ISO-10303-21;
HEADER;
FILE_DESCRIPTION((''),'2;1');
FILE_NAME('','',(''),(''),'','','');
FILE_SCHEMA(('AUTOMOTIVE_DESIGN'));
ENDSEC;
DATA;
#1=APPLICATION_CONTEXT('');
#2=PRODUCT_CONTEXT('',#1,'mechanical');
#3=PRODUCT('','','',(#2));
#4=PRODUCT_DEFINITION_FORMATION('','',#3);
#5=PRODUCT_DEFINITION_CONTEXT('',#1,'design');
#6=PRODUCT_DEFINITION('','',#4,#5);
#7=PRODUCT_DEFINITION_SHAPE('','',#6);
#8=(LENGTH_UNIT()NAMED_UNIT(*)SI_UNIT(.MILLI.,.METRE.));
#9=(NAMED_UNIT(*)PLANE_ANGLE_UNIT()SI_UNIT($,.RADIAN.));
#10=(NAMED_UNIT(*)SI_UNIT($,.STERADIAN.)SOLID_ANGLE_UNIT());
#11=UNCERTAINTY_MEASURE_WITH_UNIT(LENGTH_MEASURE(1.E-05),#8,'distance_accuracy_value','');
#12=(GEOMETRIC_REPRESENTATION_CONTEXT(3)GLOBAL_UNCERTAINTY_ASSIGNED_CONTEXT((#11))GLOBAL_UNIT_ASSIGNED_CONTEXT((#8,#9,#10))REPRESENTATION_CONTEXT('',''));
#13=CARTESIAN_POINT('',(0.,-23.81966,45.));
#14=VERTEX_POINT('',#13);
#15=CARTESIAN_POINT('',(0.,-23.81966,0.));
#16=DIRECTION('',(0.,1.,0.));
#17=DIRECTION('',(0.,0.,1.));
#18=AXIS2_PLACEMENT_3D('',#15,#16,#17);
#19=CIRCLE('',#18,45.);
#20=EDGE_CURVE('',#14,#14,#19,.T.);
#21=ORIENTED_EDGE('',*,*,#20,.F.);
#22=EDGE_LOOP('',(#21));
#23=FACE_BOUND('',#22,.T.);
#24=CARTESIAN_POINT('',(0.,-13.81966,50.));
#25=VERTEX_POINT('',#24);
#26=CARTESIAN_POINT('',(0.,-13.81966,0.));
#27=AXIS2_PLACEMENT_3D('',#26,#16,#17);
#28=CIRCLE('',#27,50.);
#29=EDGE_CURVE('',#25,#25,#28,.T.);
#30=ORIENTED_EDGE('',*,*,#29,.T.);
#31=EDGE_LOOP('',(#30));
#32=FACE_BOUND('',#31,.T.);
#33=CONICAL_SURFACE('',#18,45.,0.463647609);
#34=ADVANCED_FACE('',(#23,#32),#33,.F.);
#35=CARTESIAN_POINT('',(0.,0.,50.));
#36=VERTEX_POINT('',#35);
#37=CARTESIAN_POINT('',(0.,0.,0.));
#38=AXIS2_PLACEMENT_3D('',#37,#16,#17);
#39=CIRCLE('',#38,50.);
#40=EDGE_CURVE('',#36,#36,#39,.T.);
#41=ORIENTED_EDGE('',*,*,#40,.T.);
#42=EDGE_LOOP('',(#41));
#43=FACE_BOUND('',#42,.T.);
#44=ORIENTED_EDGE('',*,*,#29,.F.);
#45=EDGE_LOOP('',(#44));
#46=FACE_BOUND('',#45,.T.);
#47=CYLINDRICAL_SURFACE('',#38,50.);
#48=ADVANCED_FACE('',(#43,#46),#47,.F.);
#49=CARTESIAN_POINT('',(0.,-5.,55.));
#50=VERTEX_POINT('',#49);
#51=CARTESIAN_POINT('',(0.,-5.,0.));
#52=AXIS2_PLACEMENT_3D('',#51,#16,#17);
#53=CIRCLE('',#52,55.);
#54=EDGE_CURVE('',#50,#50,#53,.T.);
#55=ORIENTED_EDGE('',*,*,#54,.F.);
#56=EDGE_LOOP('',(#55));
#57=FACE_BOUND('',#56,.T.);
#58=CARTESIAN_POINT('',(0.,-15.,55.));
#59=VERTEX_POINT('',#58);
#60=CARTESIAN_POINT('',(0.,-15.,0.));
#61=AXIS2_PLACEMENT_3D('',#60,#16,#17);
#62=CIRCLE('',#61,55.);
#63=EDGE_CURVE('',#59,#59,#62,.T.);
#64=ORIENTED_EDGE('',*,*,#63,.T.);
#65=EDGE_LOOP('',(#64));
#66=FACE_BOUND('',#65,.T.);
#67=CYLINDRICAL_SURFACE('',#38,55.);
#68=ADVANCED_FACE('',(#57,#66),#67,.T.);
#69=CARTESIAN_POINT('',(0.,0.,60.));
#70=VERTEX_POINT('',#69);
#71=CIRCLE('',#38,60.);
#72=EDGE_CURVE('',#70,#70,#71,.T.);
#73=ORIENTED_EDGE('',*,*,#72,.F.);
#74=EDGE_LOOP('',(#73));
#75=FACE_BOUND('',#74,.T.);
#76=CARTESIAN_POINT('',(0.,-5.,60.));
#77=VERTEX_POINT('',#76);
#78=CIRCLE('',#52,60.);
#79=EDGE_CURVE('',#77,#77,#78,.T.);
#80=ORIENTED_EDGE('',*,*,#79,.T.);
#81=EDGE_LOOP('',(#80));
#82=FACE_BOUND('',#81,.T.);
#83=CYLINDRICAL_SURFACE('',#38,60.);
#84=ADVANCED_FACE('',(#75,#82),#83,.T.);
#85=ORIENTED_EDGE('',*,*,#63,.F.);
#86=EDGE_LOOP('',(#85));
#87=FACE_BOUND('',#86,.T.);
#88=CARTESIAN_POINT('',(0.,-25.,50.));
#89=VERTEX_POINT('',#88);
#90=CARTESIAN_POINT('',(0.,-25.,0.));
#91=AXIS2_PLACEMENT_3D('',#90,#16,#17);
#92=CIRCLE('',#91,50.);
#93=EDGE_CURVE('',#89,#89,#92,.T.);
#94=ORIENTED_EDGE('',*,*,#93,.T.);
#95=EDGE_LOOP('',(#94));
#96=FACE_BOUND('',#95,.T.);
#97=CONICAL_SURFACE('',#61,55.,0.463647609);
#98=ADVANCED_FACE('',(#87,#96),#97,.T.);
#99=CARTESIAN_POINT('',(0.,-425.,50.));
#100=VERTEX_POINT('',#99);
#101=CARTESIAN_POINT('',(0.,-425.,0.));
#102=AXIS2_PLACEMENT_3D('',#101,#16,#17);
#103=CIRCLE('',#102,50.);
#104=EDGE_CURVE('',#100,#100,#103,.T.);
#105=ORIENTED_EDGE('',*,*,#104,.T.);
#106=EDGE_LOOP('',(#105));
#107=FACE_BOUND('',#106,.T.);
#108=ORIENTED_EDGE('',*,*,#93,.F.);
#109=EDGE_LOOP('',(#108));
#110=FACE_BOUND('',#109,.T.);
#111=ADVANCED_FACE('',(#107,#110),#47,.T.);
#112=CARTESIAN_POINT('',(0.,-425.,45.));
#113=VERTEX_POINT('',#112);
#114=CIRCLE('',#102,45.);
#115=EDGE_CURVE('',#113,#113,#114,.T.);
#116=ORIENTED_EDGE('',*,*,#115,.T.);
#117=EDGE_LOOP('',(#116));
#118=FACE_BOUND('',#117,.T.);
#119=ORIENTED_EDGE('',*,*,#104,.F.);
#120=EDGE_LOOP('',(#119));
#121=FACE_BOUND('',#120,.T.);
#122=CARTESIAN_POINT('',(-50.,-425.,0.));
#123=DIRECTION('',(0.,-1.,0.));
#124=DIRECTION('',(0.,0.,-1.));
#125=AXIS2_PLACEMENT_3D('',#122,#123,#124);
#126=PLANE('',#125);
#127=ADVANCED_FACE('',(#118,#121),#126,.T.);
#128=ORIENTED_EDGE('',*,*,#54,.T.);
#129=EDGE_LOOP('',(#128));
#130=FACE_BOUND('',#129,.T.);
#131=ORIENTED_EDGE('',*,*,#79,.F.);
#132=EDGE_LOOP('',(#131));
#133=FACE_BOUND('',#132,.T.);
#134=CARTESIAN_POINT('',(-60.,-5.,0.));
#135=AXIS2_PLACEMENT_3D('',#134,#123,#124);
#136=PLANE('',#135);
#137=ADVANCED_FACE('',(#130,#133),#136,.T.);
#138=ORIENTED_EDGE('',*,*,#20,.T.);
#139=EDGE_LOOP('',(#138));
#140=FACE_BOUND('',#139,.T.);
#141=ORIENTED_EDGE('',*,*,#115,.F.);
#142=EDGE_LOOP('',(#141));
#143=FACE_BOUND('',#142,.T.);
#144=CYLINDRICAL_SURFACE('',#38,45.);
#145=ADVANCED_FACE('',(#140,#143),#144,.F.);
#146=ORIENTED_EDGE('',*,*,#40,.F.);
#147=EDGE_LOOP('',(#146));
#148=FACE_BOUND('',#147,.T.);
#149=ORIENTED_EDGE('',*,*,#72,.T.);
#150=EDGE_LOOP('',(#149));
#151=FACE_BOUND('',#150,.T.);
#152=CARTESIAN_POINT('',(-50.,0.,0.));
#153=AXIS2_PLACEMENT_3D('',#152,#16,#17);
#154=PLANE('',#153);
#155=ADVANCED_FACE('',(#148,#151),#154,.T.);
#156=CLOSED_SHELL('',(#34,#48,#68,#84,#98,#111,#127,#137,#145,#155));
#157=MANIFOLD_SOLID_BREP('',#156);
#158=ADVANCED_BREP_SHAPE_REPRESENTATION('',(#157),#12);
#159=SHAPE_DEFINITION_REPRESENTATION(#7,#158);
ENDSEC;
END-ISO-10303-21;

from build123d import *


with BuildPart() as part:
    # Croquis5 → Revolución1 (revolve)
    with BuildSketch(Plane.XY):
        Polygon((-60, 0), (-60, -5), (-55, -5), (-55, -15), (-50, -25), (-50, -425), (-45, -425), (-45, -23.819660113), (-50, -13.819660113), (-50, 0), align=None)
    revolve(axis=Axis((0, 0, 0), (0, -1, 0)))


solid = part.part
